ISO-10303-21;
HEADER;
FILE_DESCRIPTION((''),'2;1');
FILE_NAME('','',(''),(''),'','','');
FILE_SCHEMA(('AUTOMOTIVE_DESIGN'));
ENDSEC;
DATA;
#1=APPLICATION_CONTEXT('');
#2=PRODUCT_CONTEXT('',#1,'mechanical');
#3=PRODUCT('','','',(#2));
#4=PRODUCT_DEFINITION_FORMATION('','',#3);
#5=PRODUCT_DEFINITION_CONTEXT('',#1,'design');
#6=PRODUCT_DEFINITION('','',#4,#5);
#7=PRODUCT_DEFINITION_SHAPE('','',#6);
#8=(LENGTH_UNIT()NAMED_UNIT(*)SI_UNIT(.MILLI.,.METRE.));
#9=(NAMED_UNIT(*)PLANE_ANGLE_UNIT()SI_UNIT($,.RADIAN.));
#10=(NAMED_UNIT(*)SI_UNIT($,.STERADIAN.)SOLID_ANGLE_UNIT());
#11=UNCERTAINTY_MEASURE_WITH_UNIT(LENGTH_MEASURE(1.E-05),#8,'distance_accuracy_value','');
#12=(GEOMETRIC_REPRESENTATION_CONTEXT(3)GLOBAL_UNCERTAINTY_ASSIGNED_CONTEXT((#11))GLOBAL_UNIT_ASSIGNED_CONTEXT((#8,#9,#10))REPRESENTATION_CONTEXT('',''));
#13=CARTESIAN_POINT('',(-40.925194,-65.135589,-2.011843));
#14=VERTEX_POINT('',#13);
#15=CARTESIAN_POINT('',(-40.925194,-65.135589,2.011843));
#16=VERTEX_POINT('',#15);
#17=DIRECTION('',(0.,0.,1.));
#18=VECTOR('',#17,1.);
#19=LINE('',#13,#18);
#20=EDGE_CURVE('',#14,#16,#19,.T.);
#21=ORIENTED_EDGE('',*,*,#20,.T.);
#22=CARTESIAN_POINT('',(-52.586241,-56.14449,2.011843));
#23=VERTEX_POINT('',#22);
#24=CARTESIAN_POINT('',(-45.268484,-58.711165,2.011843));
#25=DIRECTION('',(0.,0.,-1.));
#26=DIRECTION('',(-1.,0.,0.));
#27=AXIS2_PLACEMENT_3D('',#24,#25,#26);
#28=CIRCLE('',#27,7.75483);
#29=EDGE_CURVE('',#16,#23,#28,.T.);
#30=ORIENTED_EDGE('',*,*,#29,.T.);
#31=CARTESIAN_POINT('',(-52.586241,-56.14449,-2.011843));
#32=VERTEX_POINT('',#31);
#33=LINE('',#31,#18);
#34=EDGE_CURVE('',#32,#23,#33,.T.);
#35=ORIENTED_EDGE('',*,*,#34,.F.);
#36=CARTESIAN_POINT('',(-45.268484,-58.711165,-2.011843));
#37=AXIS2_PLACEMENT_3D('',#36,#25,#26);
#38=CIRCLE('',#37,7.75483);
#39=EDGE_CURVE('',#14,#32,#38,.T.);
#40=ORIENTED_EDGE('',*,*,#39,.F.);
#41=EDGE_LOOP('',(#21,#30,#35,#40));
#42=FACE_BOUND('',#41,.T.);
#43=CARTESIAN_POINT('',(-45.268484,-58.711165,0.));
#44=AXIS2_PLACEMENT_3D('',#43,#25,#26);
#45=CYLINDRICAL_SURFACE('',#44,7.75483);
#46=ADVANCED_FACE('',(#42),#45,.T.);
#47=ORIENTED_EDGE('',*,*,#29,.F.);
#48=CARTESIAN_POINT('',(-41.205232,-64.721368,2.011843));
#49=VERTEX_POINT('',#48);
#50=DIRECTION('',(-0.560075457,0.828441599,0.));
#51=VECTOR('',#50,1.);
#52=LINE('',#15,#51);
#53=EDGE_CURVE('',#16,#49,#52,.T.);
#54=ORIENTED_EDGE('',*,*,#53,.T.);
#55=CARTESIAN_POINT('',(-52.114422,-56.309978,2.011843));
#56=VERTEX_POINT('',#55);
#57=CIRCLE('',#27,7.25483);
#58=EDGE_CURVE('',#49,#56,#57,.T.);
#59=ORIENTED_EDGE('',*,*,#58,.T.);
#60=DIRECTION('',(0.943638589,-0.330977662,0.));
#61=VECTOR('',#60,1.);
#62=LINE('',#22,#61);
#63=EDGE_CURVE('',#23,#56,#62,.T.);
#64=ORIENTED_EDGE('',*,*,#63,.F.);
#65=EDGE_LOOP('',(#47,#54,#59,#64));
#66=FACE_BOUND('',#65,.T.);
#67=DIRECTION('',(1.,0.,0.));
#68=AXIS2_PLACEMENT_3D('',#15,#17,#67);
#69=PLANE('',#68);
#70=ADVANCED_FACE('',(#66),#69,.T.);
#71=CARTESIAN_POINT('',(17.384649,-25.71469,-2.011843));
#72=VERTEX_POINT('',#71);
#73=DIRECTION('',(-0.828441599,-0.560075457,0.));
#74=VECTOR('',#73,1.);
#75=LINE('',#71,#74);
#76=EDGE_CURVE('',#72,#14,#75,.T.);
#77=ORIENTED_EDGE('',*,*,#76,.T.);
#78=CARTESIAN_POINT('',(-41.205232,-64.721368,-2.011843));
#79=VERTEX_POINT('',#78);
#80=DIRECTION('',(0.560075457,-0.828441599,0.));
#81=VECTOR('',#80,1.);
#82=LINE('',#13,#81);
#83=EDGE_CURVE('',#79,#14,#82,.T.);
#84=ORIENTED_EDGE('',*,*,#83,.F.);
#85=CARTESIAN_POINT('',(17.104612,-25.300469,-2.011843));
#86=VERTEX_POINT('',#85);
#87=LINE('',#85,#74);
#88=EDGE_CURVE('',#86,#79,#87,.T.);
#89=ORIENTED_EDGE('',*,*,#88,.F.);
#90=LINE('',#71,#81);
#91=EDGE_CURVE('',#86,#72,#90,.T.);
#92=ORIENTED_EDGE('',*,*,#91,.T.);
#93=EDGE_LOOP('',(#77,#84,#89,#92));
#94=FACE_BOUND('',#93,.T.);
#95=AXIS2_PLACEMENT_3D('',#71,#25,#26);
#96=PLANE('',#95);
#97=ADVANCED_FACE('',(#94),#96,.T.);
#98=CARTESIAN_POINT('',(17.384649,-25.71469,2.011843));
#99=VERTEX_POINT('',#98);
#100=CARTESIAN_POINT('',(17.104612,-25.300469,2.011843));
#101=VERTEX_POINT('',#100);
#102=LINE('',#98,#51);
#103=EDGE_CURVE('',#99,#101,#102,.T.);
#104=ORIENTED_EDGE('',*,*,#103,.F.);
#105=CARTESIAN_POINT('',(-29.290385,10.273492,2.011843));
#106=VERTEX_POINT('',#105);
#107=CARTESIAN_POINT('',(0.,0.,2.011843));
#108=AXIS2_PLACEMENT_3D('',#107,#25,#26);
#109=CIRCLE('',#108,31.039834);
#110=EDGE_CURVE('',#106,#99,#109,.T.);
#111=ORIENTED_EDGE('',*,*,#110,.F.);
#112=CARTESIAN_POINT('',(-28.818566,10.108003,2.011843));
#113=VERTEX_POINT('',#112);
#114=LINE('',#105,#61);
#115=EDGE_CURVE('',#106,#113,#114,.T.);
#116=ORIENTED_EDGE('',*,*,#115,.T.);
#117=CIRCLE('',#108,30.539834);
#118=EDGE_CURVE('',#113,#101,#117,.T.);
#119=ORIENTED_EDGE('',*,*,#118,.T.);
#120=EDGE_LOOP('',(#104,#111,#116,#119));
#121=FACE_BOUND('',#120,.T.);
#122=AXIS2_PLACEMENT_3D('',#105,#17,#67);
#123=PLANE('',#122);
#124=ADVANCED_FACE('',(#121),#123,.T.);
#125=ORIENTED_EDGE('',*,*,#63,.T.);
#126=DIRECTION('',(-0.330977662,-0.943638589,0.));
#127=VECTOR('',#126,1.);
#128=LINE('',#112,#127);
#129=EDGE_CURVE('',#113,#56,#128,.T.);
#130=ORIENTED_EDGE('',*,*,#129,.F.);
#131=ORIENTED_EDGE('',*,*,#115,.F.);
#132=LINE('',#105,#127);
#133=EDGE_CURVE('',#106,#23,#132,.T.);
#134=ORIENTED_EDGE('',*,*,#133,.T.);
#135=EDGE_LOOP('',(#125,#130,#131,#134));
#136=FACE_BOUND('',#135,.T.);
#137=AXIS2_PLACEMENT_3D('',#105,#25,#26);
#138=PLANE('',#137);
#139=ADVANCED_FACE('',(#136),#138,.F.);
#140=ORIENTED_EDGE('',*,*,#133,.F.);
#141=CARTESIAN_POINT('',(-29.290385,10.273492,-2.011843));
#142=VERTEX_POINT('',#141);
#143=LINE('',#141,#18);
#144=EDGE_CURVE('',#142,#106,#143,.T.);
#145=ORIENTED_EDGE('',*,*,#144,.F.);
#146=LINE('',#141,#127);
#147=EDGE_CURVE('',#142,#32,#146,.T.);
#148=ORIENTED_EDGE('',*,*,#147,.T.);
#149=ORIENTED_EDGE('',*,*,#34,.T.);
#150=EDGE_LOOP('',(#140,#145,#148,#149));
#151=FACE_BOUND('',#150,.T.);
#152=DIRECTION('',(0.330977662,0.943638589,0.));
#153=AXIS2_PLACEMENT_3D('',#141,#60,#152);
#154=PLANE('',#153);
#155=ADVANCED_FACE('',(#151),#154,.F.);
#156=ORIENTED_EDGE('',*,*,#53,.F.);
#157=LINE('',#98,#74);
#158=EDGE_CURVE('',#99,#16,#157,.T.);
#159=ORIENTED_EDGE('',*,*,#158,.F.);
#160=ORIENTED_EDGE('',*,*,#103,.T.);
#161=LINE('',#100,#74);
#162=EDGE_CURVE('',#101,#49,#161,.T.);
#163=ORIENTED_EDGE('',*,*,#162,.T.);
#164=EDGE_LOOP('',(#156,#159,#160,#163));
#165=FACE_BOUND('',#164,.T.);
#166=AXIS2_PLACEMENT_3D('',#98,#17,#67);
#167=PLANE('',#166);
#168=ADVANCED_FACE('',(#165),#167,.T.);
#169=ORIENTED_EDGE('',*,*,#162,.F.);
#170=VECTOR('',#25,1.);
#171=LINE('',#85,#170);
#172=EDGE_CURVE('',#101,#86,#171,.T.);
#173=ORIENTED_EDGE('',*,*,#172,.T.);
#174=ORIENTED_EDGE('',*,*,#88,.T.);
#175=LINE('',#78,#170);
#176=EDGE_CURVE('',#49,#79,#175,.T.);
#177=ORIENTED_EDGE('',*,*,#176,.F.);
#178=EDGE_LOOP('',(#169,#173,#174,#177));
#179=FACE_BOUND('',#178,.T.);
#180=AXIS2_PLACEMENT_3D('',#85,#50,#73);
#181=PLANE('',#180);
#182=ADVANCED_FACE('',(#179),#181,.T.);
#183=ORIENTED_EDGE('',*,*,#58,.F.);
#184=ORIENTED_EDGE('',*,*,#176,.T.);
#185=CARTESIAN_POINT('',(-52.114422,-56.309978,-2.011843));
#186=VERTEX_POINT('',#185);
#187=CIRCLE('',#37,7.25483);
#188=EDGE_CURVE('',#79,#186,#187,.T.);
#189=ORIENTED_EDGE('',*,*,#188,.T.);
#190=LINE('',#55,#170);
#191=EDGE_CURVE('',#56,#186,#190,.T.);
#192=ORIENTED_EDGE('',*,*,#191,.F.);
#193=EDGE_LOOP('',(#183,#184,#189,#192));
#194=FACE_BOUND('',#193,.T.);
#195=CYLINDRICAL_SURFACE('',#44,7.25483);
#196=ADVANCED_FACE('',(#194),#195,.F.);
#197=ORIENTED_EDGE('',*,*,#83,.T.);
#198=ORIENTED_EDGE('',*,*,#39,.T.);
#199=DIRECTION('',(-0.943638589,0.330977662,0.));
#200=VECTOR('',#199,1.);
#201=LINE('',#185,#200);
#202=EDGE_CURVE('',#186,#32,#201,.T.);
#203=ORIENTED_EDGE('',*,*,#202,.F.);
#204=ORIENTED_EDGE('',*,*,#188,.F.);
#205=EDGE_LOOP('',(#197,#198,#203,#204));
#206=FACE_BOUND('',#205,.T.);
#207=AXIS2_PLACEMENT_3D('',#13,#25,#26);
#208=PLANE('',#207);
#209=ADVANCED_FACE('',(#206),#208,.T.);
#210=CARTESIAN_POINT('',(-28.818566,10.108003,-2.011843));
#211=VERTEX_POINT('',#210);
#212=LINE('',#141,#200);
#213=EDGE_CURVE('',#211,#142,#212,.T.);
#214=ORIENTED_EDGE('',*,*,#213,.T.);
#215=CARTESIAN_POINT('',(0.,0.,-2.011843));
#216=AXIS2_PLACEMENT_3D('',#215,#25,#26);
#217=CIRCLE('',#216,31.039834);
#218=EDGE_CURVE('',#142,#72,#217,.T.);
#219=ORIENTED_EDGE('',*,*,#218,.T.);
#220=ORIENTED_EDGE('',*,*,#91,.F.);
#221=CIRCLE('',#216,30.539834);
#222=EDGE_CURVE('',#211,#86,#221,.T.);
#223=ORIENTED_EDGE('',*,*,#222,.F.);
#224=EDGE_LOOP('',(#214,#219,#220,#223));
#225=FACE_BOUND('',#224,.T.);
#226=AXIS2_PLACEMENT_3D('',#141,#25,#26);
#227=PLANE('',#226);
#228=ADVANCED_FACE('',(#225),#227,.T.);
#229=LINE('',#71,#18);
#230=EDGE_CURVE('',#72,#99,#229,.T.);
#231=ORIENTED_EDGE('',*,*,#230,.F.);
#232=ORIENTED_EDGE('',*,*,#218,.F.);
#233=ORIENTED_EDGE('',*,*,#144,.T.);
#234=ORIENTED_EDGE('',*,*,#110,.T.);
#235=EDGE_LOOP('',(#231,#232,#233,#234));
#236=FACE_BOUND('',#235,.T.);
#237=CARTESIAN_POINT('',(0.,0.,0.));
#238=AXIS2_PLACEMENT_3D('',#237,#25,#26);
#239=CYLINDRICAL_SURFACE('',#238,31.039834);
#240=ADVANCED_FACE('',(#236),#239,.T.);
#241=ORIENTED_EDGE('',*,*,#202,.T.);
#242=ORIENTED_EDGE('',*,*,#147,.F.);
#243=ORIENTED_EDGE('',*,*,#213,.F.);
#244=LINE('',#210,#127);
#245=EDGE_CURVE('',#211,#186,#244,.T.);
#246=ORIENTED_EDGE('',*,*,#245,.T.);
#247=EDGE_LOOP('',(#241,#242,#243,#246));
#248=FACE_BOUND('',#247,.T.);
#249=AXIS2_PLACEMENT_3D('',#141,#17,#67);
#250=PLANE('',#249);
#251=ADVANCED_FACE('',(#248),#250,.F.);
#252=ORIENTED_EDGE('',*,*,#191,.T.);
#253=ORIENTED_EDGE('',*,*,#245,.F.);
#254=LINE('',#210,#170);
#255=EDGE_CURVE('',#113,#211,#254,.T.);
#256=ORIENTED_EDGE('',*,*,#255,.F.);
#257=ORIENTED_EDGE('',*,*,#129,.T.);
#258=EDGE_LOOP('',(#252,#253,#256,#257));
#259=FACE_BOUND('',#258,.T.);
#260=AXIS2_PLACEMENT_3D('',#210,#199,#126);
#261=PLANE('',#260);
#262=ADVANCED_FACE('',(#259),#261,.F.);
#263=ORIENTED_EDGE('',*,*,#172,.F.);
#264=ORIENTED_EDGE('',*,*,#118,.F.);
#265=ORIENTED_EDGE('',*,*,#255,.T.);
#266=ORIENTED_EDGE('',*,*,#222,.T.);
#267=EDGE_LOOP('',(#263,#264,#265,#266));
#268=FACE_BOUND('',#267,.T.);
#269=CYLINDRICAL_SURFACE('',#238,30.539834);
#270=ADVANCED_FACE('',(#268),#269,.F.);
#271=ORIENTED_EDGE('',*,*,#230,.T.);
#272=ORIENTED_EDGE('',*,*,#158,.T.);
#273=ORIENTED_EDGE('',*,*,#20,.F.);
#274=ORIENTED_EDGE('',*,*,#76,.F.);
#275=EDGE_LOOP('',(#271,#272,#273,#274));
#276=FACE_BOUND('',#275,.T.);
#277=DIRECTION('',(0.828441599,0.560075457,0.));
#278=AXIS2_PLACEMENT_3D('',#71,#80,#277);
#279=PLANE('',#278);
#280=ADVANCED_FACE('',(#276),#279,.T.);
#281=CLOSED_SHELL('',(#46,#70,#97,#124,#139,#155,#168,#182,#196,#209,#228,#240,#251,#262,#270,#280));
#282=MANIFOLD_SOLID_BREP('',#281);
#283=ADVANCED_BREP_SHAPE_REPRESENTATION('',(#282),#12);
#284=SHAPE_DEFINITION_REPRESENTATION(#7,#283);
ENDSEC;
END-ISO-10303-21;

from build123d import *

# Parameters (mm, degrees)
SKETCH3_W = 0.5
SKETCH3_H = 4.023685774


with BuildPart() as part:
    # Sweep1: sweep along a path in Sketch2
    with BuildLine(Plane.XY) as sweep1_path:
        Line((17.248457562, -25.513240356), (-41.061386137, -64.934139089))
        ThreePointArc((-41.061386137, -64.934139089), (-49.855173636, -64.659892632), (-52.356779208, -56.224972402))
        Line((-52.356779208, -56.224972402), (-29.060923767, 10.19300896))
        ThreePointArc((-29.060923767, 10.19300896), (18.804724128, 24.388871895), (17.248457562, -25.513240356))
    # Sketch3 → Sweep1 (sweep)
    with BuildSketch(Plane(origin=(-52.356779208, -56.224972402, 0), x_dir=(0.9436385894180152, -0.3309776617253475, 0), z_dir=(0.3309776617253475, 0.9436385894180152, 0))):
        with Locations((0.006833178, 0)):
            Rectangle(SKETCH3_W, SKETCH3_H)
    sweep(path=sweep1_path.line)


solid = part.part
